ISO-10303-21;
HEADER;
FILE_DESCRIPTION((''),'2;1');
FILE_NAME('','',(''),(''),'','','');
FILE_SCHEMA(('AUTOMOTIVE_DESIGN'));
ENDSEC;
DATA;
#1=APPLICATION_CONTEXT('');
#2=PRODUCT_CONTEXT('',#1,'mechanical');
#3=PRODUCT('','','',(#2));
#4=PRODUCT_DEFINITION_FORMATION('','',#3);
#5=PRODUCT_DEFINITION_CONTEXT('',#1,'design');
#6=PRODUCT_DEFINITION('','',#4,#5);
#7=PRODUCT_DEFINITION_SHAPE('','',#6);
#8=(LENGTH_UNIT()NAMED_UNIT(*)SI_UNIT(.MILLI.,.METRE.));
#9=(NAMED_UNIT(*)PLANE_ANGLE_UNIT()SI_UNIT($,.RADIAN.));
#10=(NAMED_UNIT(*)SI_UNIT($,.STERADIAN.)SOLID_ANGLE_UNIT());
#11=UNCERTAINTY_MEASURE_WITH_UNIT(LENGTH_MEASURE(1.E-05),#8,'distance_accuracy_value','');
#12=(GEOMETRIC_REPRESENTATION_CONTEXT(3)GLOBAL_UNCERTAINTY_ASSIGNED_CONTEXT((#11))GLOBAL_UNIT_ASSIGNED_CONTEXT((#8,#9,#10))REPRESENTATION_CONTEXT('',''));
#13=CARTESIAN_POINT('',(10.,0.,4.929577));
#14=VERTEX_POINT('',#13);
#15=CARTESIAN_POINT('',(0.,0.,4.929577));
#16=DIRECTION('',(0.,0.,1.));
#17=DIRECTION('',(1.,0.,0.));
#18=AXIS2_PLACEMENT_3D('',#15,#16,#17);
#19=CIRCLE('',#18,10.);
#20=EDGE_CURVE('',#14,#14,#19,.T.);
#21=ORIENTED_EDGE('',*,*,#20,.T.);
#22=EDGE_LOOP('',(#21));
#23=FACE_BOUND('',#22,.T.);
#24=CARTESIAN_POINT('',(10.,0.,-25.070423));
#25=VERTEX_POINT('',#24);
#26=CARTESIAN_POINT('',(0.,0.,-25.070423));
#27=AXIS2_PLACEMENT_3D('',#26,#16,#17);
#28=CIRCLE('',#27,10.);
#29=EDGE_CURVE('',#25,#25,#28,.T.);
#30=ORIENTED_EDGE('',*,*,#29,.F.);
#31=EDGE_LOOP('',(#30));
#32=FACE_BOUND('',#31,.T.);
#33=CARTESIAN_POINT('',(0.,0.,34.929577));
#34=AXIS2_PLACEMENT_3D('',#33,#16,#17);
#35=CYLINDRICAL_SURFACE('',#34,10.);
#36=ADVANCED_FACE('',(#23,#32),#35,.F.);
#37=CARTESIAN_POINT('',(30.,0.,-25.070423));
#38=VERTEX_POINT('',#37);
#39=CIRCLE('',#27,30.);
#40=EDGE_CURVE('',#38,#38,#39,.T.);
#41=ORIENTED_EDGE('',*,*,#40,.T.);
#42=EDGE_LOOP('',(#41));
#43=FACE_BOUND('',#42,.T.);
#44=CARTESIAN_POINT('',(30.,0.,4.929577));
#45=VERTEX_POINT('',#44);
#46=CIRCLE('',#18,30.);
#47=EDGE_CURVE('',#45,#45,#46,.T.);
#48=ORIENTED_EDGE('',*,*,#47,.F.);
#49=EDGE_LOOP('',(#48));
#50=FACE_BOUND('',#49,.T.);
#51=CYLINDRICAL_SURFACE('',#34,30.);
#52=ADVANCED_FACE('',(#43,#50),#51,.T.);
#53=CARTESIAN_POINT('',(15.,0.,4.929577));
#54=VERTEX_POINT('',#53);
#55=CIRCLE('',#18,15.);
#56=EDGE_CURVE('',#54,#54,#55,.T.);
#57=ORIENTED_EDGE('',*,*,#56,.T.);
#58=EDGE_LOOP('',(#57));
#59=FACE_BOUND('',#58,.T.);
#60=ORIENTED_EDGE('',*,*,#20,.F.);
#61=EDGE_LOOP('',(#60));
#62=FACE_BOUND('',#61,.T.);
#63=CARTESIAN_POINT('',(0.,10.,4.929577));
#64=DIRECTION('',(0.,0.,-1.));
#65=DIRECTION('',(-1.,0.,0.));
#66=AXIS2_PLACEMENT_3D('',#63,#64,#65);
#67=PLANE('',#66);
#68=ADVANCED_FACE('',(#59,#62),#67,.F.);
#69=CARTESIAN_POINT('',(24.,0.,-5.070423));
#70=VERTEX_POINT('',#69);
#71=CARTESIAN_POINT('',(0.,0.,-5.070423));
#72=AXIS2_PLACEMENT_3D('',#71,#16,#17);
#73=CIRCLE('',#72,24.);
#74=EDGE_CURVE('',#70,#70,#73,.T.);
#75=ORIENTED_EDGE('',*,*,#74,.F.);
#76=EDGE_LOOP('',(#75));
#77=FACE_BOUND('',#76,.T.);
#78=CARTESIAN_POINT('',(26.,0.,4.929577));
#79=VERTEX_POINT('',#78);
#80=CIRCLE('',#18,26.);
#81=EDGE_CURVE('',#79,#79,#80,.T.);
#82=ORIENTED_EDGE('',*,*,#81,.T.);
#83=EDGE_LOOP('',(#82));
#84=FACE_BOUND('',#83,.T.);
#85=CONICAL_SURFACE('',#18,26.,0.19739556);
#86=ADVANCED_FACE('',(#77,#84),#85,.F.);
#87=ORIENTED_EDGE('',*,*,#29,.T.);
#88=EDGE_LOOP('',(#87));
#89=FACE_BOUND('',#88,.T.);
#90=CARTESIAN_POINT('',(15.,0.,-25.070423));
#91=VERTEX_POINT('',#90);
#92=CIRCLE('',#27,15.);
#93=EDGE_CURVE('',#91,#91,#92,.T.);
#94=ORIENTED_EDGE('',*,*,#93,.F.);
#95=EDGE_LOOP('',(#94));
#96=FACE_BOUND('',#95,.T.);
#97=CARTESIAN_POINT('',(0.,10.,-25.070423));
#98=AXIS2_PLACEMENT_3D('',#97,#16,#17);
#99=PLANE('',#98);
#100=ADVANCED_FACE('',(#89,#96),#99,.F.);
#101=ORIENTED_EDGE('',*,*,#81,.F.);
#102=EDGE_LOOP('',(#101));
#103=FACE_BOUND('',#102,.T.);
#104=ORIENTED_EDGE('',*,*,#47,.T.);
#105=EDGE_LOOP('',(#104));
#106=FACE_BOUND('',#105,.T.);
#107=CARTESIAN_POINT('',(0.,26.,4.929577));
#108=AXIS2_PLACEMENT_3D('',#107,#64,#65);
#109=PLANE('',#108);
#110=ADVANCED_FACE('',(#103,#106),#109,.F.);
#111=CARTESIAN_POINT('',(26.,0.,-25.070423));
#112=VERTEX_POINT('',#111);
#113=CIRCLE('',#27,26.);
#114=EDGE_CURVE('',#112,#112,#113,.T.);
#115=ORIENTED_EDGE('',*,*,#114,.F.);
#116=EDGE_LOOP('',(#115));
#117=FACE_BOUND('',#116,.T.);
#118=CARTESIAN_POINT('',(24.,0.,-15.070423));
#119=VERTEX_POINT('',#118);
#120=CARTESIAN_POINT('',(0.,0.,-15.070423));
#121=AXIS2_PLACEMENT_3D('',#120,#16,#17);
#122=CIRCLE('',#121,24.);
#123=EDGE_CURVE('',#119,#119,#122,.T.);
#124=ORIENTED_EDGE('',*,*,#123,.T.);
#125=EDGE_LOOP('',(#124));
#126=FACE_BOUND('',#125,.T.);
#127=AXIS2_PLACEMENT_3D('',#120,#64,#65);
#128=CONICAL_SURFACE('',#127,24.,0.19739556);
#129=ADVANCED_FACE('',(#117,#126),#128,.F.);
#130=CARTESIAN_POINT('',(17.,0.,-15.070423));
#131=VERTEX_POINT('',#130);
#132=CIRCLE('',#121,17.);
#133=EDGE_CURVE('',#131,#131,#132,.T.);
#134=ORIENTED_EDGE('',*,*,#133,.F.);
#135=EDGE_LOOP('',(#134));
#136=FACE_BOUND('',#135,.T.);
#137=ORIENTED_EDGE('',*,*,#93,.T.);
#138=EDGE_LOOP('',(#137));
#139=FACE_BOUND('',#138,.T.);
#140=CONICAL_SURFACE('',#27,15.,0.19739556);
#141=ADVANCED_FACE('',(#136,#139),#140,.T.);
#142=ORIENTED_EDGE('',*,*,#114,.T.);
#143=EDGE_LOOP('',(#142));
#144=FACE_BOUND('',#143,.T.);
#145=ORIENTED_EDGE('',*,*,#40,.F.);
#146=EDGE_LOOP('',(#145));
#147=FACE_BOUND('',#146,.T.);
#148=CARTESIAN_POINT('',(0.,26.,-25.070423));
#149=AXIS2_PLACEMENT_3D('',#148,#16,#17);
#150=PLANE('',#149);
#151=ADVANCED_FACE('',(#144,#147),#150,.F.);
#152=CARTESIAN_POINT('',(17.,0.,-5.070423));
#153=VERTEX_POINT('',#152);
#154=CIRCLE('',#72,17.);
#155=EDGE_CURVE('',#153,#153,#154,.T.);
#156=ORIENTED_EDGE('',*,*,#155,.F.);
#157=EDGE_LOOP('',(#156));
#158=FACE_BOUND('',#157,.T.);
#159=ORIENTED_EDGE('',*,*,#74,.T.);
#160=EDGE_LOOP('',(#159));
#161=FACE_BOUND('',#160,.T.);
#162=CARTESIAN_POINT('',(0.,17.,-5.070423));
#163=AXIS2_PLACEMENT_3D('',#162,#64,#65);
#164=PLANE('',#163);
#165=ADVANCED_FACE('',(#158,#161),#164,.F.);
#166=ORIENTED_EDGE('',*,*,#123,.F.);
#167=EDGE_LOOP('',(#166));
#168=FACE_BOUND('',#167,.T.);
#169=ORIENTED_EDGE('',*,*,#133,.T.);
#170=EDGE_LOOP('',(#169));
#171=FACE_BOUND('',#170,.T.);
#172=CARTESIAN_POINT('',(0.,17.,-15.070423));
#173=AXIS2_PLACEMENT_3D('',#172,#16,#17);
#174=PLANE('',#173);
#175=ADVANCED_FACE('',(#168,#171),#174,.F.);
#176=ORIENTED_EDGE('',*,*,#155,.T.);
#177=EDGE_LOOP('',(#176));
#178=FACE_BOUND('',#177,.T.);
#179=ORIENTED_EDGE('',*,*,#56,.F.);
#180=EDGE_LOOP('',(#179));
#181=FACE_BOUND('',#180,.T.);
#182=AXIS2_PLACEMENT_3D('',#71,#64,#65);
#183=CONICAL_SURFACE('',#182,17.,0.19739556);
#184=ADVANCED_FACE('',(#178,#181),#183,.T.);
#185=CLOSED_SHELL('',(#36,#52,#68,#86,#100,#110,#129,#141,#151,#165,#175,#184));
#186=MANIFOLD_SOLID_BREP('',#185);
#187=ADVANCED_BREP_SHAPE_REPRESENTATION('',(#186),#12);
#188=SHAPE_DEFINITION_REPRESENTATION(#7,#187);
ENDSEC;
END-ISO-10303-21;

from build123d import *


with BuildPart() as part:
    # Çizim1 → Döndür2 (revolve)
    with BuildSketch(Plane(origin=(0, 0, 0), x_dir=(0, 0, -1), z_dir=(1, 0, 0)), mode=Mode.PRIVATE) as d_nd_r2_sk:
        Polygon((-4.929577465, 10), (25.070422535, 10), (25.070422535, 15), (15.070422535, 17), (15.070422535, 24), (25.070422535, 26), (25.070422535, 30), (-4.929577465, 30), (-4.929577465, 26), (5.070422535, 24), (5.070422535, 17), (-4.929577465, 15), align=None)
    revolve(d_nd_r2_sk.sketch.rotate(Axis((0, 0, 34.929577465), (0, 0, -1)), 90), axis=Axis((0, 0, 34.929577465), (0, 0, -1)))


solid = part.part
